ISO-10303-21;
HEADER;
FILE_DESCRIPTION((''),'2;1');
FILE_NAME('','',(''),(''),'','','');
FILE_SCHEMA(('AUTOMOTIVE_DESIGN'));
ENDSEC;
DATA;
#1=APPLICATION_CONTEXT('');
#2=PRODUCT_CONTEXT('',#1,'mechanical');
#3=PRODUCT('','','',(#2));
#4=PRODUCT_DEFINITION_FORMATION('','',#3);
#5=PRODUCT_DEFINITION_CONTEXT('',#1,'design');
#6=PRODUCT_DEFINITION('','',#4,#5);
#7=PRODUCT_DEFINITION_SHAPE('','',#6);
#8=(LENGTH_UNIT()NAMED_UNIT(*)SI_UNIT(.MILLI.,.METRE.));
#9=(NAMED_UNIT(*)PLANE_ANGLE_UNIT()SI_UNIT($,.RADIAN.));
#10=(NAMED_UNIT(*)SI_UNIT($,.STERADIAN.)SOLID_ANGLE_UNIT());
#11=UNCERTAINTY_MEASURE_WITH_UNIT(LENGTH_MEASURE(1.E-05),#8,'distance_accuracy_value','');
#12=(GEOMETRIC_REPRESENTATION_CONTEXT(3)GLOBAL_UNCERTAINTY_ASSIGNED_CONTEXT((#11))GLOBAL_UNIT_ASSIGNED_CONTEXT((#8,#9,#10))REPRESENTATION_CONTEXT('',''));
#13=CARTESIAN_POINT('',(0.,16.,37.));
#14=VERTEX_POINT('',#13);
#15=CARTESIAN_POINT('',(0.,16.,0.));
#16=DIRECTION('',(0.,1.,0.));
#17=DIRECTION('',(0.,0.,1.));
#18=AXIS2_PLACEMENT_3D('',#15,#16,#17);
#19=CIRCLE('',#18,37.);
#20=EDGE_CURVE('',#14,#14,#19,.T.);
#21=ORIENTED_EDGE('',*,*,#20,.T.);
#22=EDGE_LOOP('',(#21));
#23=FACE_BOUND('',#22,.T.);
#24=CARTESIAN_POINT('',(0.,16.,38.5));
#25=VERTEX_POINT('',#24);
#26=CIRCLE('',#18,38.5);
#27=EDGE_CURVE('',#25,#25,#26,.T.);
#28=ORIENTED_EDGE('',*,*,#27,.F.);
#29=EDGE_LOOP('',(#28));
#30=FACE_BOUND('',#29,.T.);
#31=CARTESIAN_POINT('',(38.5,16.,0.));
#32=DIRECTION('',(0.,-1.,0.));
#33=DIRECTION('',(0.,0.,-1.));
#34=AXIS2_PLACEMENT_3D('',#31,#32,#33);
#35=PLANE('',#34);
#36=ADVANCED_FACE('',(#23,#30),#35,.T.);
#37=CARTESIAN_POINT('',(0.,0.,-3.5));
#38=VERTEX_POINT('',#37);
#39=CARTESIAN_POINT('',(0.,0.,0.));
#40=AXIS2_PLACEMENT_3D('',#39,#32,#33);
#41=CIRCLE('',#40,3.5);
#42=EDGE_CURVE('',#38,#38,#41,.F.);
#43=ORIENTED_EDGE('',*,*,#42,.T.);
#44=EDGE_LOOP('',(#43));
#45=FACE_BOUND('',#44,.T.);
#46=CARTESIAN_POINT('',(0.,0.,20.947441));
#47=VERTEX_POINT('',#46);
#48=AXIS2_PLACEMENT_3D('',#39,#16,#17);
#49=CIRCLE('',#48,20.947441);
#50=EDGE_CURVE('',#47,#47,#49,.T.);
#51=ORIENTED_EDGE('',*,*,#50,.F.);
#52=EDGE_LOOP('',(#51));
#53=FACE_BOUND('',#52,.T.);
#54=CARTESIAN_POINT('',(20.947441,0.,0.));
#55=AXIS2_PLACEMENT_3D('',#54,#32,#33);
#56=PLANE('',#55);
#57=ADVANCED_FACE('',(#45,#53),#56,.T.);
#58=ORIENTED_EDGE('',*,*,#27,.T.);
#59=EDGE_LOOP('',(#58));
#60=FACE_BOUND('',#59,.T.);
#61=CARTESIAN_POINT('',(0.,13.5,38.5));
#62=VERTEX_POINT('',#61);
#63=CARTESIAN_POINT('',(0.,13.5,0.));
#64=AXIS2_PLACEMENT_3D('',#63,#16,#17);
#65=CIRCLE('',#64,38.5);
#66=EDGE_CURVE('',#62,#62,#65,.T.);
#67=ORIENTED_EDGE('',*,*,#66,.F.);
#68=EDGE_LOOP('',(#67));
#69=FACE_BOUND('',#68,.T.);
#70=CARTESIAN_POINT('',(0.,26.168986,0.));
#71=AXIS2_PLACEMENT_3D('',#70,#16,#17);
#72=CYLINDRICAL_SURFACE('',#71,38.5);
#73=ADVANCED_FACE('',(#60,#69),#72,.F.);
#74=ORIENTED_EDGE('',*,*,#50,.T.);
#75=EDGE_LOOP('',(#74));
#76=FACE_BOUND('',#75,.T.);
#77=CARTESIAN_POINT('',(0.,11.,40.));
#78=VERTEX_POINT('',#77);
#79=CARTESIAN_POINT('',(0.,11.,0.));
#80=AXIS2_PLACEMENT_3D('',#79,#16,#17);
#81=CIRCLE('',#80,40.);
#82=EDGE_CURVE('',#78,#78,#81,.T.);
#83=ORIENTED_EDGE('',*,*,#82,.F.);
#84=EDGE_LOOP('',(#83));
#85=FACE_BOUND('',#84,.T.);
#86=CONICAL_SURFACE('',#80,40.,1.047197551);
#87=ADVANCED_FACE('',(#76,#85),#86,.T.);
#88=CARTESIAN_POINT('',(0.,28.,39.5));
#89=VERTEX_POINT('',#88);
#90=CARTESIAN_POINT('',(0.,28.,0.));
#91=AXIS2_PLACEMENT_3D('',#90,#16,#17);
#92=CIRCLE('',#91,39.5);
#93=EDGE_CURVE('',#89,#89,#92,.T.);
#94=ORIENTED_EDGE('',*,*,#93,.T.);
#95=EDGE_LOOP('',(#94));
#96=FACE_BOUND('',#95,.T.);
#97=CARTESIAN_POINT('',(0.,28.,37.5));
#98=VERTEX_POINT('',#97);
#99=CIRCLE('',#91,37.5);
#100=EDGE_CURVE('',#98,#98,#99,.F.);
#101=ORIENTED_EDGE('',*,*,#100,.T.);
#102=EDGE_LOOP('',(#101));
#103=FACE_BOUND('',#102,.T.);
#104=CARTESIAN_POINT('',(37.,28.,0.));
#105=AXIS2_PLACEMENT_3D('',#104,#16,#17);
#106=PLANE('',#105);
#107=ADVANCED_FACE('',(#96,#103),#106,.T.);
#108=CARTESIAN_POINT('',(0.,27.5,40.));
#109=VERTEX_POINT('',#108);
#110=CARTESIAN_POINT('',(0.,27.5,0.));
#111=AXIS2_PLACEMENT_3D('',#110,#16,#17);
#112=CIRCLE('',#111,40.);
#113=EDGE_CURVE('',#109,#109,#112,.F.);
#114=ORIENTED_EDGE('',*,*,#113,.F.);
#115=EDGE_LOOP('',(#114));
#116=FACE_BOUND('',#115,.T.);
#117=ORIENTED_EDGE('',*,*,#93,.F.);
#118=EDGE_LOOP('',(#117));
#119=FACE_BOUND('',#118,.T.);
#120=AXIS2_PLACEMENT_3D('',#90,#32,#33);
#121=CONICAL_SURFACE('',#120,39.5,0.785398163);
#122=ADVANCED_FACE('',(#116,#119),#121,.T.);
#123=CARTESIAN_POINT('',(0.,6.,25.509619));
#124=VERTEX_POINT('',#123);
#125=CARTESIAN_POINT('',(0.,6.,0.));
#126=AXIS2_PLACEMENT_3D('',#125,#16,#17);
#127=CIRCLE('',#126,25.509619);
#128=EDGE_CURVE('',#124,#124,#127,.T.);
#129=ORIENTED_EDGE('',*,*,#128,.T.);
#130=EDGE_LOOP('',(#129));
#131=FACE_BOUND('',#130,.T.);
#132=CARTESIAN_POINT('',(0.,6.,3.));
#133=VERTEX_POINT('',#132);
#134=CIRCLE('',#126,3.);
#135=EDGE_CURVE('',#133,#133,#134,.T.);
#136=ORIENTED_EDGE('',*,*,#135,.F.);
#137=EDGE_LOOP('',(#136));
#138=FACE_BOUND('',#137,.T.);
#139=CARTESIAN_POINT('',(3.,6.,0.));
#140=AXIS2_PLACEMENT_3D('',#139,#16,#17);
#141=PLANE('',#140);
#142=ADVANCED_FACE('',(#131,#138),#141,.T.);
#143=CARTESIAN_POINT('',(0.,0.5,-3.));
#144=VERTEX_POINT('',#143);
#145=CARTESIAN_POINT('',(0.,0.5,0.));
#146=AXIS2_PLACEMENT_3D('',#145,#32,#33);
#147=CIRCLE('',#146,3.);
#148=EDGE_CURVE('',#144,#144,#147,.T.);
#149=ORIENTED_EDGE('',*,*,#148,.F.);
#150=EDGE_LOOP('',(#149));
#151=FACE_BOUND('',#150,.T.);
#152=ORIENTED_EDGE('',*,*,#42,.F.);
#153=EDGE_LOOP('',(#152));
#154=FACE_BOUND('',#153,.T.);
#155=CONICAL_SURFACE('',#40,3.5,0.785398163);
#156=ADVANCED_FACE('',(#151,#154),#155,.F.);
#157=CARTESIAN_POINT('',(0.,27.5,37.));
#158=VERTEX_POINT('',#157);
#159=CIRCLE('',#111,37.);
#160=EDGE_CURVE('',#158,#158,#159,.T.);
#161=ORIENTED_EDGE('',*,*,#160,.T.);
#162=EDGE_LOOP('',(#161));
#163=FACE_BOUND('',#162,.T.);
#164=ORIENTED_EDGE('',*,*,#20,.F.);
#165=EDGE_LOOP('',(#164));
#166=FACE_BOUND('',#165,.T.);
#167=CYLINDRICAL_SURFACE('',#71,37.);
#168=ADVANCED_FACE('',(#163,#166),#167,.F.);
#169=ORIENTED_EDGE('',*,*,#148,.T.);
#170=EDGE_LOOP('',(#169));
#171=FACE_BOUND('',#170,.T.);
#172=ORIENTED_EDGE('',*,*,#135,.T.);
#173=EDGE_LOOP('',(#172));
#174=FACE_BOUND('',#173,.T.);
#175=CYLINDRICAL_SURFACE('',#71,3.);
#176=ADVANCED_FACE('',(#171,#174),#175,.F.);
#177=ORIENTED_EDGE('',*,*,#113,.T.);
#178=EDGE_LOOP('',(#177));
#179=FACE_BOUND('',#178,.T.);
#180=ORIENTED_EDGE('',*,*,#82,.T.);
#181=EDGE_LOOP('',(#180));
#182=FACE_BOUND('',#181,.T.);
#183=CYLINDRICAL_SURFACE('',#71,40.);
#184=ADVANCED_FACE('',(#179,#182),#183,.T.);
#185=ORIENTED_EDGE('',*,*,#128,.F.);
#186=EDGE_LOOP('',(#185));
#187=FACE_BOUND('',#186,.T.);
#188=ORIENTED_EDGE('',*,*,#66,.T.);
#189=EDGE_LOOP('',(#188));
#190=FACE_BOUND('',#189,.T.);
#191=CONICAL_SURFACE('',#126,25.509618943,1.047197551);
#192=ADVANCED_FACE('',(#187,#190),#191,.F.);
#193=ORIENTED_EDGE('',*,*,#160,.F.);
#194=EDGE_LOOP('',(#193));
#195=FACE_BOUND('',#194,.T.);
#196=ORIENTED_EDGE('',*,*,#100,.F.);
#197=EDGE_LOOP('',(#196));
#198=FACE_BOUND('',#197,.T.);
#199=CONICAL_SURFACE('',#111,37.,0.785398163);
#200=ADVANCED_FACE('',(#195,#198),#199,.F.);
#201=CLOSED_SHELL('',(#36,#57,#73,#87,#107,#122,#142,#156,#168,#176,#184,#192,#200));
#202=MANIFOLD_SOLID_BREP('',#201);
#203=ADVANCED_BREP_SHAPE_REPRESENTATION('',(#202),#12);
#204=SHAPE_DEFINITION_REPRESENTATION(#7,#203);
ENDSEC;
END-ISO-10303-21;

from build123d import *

# Parameters (mm, degrees)
CHAMFER_1_SIZE = 0.5


with BuildPart() as part:
    # Эскиз1 → Повернуть1 (revolve)
    with BuildSketch(Plane.XY):
        Polygon((-40, 28), (-40, 11), (-20.947441117, 0), (-3, 0), (-3, 6), (-25.509618943, 6), (-38.5, 13.5), (-38.5, 16), (-37, 16), (-37, 28), align=None)
    revolve(axis=Axis((0, 26.168985987, 0), (0, -1, 0)))

    # Фаска1
    chamfer_1_edges = [part.edges().sort_by_distance(p)[0] for p in [
        (3, 0, 0),
        (40, 28, 0),
        (37, 28, 0),
    ]]
    chamfer(chamfer_1_edges, length=CHAMFER_1_SIZE)


solid = part.part
